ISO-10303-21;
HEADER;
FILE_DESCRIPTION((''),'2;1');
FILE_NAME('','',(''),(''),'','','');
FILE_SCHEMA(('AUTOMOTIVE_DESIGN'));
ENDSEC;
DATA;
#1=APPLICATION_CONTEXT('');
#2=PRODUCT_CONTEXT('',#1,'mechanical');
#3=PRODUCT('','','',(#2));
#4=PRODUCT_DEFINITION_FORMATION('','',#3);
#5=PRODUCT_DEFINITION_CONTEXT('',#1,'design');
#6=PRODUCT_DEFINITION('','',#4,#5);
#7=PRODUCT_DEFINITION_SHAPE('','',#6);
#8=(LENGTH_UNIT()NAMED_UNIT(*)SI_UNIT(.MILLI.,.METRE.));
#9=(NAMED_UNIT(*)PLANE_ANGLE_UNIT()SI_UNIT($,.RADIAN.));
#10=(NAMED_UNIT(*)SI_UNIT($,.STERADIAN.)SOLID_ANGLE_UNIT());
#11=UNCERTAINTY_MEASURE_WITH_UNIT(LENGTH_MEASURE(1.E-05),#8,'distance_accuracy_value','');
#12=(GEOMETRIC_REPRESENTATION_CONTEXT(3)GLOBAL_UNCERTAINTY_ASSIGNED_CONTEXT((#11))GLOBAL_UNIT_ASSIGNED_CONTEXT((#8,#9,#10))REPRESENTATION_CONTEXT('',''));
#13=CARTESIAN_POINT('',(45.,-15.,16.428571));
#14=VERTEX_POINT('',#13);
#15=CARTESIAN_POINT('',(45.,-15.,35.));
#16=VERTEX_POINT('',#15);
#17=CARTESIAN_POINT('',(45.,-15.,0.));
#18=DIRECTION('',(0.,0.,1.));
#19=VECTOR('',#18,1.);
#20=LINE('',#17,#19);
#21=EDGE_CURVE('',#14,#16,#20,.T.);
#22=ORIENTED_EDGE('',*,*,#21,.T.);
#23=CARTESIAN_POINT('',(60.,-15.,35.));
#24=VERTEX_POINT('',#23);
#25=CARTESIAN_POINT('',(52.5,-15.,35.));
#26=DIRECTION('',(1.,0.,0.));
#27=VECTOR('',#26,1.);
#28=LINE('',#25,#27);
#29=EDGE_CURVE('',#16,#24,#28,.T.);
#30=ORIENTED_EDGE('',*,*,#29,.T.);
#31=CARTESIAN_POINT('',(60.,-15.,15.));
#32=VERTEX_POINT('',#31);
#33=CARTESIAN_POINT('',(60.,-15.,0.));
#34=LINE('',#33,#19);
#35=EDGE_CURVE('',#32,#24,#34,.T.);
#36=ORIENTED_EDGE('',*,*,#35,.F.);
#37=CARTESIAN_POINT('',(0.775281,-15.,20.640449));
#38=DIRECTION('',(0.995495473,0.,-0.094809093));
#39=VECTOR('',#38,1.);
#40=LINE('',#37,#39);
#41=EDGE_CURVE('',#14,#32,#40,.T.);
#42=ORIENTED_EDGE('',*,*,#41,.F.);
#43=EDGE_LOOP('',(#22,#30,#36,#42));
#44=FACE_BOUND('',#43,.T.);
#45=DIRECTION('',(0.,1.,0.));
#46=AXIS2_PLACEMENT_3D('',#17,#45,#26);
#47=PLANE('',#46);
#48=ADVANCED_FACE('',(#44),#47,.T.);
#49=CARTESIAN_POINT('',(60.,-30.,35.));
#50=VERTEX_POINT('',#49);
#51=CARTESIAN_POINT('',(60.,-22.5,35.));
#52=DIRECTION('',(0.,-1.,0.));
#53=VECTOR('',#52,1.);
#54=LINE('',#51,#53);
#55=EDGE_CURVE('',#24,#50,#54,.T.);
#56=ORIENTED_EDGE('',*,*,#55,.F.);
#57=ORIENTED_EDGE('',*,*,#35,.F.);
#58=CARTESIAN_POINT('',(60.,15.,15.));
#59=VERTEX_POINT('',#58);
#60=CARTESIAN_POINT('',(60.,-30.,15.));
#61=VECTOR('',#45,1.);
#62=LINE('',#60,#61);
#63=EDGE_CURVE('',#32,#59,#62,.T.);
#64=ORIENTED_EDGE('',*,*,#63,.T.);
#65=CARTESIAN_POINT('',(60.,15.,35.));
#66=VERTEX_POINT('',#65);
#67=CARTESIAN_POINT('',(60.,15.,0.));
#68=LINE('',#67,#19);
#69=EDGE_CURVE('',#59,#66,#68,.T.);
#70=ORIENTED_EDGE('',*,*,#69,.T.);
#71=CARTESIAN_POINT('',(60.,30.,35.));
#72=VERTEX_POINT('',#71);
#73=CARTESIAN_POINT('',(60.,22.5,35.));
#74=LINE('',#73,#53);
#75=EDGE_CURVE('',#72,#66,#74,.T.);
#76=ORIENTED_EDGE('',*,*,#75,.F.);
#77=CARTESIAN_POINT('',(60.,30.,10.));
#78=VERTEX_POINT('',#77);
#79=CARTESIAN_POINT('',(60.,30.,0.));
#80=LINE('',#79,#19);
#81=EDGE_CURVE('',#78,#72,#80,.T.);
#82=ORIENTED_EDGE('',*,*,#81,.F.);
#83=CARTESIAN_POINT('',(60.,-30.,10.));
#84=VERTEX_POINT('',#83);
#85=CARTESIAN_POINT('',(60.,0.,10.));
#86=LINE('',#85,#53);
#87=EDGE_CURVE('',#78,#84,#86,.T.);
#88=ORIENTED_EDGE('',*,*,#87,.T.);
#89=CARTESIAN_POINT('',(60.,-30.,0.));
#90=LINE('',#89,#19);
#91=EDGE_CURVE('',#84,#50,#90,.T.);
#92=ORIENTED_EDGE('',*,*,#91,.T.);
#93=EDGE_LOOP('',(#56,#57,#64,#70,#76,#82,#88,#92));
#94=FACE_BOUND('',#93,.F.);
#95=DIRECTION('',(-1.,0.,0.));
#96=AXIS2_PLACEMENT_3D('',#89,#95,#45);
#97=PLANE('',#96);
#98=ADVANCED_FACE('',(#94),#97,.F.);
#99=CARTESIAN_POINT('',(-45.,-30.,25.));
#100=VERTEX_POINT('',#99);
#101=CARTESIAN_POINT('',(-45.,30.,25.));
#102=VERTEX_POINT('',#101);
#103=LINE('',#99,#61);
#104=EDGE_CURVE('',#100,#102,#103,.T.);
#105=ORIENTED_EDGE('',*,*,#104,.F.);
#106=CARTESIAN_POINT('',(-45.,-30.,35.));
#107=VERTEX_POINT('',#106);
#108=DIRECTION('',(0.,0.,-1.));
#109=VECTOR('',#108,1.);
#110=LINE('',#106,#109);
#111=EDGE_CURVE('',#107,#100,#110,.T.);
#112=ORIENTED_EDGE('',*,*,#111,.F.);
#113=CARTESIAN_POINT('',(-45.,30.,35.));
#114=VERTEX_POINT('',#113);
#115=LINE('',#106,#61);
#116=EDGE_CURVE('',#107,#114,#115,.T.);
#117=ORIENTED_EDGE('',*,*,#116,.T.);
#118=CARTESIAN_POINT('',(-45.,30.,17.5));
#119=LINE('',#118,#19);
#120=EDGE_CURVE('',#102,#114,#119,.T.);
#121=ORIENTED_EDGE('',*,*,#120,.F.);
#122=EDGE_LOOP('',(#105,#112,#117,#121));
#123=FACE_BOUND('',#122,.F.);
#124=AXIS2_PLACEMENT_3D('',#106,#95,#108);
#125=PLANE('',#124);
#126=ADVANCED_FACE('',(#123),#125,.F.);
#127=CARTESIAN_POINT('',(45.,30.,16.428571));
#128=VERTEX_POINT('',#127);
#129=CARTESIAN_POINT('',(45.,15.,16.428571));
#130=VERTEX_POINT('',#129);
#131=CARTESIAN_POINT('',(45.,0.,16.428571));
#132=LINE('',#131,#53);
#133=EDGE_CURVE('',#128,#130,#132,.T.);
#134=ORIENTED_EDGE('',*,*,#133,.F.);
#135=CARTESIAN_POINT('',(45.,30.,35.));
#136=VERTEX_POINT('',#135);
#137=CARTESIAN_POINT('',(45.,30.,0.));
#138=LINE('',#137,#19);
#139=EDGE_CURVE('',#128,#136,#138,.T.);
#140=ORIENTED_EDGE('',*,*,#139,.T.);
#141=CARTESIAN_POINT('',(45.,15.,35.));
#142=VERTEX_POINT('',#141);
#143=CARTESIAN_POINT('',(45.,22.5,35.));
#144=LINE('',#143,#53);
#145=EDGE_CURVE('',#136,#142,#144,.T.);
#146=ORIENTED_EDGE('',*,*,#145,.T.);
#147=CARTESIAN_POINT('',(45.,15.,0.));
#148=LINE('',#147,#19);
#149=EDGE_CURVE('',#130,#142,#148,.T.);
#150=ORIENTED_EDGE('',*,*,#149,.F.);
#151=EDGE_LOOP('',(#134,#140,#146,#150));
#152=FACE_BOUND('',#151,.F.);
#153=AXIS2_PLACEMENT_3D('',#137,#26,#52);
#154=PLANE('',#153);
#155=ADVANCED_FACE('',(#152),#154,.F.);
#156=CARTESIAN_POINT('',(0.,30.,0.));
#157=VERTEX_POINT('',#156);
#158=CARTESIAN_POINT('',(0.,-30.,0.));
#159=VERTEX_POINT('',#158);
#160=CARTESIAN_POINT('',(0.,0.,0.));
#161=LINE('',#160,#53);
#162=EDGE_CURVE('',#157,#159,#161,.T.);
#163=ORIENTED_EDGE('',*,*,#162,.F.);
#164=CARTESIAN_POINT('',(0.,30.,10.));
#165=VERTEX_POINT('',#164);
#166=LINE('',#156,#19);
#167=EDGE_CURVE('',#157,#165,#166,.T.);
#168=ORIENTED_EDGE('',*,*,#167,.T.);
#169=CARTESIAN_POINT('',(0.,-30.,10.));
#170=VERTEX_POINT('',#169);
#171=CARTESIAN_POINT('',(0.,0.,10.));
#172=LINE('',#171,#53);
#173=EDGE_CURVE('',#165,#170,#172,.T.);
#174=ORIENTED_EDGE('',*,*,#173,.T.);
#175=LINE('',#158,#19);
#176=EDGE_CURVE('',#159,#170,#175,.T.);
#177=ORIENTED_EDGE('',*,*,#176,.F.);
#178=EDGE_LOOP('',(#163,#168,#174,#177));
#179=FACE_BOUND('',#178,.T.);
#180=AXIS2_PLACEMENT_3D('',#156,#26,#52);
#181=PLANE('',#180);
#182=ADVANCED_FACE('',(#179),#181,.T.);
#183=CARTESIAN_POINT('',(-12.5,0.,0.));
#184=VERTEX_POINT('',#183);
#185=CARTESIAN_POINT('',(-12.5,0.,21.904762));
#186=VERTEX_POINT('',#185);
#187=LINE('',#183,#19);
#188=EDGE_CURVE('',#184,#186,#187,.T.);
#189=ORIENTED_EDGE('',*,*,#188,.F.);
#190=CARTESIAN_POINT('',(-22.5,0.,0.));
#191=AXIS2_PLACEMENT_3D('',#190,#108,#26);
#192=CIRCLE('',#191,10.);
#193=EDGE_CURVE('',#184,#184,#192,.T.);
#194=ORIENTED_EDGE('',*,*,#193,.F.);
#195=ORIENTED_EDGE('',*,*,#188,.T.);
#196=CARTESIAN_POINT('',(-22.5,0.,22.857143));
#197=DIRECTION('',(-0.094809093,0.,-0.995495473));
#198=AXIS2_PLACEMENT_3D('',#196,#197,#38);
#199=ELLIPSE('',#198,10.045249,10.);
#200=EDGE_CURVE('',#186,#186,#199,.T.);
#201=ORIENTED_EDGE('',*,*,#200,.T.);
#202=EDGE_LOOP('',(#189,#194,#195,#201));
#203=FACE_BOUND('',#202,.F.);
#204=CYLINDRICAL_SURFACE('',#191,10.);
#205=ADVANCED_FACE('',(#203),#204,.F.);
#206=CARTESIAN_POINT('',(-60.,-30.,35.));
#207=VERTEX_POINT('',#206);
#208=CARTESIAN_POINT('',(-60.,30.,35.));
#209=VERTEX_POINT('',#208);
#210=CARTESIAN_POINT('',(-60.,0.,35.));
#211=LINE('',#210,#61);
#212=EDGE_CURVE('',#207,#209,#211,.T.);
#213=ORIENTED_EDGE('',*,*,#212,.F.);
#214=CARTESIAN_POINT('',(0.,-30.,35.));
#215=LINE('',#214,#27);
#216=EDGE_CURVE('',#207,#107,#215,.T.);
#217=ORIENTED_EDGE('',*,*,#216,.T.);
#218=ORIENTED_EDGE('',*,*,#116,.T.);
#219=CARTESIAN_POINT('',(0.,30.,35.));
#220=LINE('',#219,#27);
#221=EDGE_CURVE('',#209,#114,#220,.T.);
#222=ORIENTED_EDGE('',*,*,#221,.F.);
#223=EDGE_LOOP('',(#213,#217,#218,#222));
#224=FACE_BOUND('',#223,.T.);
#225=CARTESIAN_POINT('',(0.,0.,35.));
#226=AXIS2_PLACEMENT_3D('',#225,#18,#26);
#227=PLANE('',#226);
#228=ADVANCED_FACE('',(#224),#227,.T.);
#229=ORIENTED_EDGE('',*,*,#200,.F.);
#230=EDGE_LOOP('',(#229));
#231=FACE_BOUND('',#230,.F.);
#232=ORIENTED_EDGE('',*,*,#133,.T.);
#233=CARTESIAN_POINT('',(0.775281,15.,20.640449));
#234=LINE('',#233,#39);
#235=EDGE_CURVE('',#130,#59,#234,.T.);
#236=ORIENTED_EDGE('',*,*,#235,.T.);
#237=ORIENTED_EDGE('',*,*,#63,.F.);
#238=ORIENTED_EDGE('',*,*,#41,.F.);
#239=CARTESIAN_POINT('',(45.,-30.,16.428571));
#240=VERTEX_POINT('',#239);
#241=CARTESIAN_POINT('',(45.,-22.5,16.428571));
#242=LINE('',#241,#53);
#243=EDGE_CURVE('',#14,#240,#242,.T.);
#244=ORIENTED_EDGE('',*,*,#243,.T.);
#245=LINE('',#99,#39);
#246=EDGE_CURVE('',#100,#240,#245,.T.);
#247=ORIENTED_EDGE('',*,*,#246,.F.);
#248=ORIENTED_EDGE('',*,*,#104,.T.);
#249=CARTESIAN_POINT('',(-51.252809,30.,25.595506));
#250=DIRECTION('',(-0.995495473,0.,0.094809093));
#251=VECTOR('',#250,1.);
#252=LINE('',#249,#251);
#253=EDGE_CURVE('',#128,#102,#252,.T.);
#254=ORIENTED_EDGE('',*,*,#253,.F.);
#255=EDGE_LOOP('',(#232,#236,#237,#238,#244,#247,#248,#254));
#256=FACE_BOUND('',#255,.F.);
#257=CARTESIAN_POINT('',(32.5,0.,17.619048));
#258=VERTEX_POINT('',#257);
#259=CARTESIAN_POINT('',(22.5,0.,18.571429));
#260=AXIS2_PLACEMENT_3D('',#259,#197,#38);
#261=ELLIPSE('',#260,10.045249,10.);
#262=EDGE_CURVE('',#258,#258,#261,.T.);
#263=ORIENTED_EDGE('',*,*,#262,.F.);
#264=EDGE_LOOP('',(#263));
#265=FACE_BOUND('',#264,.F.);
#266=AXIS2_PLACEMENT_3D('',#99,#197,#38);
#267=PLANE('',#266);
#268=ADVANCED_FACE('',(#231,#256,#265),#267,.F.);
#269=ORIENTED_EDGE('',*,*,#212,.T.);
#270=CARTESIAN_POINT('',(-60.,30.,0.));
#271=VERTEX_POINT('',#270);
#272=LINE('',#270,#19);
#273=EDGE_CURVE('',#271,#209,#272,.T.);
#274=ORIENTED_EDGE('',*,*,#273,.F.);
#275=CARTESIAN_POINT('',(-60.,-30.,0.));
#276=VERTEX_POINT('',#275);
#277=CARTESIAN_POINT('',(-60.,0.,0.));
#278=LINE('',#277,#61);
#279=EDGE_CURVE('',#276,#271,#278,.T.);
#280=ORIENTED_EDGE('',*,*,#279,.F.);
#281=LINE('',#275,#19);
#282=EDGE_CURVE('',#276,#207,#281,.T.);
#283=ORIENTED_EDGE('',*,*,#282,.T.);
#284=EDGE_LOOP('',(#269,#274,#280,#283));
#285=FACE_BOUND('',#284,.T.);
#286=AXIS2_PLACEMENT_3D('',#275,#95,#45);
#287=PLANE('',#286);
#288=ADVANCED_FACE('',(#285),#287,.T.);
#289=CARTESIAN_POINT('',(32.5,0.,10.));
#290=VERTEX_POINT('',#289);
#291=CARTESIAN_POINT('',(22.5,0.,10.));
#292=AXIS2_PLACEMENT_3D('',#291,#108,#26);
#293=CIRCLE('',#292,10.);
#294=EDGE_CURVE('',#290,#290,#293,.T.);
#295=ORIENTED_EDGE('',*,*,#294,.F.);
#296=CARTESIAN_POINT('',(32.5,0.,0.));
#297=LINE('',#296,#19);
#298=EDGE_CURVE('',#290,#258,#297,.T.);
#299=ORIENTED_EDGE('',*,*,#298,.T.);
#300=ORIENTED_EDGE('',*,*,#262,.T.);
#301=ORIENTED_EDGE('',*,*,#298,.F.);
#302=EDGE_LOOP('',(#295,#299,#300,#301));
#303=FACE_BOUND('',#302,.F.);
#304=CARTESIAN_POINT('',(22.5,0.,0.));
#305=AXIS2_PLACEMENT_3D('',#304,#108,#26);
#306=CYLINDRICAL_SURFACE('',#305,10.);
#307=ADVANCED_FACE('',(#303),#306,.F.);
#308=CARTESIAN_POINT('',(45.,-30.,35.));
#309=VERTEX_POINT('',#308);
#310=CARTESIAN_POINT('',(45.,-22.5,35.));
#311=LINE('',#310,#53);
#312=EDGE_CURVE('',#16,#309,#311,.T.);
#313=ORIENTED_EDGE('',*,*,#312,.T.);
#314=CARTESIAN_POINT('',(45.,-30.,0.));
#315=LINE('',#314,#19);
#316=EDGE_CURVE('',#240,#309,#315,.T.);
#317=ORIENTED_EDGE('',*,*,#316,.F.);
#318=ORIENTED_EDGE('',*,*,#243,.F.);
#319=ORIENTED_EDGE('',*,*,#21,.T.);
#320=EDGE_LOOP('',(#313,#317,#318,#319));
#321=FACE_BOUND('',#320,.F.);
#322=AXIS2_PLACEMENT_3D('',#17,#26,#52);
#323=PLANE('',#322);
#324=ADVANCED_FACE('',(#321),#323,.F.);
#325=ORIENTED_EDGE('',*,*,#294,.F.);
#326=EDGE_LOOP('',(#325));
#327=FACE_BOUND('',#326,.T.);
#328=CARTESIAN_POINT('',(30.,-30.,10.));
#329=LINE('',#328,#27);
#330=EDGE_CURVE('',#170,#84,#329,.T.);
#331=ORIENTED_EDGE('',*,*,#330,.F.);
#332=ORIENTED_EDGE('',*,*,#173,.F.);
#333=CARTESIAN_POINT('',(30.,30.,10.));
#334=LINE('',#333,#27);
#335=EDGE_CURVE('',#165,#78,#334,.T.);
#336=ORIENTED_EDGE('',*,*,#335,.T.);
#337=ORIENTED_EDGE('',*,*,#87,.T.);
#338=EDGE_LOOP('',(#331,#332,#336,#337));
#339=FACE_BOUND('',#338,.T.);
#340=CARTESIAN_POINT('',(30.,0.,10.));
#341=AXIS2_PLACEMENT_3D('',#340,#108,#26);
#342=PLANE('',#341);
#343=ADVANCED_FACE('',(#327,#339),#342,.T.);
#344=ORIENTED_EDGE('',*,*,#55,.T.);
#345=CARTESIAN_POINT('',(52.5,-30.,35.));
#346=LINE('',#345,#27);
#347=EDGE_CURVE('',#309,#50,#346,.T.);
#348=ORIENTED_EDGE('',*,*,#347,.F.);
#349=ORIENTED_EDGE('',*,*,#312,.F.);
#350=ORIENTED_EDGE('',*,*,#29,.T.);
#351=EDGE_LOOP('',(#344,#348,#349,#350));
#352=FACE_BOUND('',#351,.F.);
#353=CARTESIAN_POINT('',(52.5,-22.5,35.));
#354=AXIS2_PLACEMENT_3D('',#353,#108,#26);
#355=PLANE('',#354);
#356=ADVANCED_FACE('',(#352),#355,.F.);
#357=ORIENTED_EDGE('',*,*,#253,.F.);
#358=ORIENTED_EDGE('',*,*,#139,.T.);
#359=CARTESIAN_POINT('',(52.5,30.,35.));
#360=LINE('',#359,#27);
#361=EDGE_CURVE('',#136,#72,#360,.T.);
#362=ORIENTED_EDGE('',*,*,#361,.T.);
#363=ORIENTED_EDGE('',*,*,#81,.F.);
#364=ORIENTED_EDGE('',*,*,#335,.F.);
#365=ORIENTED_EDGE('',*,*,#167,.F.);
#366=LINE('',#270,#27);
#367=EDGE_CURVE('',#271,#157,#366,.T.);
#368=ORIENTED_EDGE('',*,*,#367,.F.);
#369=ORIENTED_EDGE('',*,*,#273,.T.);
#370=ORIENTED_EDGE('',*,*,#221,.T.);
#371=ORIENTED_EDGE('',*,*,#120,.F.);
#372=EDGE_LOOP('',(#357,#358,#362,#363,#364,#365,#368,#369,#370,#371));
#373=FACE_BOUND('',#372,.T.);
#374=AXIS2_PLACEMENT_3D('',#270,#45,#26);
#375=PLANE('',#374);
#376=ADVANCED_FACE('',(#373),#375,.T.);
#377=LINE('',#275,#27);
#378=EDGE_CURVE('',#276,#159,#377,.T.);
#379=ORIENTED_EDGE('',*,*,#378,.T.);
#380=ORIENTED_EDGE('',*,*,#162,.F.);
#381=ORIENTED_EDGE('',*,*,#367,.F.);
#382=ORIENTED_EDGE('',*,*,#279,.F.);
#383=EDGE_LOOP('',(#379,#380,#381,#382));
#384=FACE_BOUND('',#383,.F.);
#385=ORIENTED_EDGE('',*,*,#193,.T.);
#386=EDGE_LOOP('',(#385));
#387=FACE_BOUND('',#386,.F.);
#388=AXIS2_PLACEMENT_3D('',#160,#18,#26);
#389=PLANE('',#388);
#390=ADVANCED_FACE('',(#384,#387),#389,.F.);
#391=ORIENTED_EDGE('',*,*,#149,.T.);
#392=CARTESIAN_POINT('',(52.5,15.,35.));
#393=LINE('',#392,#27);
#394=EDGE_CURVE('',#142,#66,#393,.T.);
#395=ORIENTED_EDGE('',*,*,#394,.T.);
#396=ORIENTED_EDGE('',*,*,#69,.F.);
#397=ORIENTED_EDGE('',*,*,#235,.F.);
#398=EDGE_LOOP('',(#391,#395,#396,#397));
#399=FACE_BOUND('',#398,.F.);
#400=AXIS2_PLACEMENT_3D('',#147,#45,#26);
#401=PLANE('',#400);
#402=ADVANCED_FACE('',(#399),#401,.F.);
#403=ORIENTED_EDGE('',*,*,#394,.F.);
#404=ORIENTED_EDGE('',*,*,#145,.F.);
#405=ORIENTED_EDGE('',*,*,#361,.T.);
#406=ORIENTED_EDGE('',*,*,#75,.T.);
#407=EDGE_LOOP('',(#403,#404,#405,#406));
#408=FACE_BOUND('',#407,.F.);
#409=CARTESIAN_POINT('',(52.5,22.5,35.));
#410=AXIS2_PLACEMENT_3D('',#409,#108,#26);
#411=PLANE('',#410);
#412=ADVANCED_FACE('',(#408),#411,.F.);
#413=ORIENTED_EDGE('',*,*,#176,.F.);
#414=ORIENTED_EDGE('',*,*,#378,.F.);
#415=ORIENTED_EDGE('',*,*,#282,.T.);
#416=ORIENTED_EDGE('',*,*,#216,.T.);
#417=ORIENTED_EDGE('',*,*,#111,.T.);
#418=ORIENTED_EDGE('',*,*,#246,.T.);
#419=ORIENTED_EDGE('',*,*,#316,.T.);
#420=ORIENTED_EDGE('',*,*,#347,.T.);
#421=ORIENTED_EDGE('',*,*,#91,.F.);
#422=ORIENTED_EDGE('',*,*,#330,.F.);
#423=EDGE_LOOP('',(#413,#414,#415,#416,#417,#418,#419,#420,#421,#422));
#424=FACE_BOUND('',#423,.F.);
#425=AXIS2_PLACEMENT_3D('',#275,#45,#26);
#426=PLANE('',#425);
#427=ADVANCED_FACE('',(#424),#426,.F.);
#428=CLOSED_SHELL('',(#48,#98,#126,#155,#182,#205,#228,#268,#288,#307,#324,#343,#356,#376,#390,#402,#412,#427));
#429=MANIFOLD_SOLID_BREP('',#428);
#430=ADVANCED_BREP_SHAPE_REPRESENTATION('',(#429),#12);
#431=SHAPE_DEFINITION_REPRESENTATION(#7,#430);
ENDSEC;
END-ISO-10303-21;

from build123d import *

# Parameters (mm, degrees)
SKETCH_W        = 120
SKETCH_H        = 60
PAD_DEPTH       = 35
POCKET_DEPTH    = 60.001
SKETCH002_W     = 15
SKETCH002_H     = 15
PAD001_DEPTH    = 35
SKETCH003_R     = 10
POCKET001_DEPTH = 35.001
SKETCH004_W     = 60
SKETCH004_H     = 60
POCKET002_DEPTH = 10


with BuildPart() as part:
    # Sketch → Pad (new body)
    with BuildSketch(Plane.XY):
        Rectangle(SKETCH_W, SKETCH_H)
    extrude(amount=PAD_DEPTH)

    # Sketch001 → Pocket (cut, through all)
    with BuildSketch(Plane.XZ.offset(30)):
        Polygon((-45, 35), (-45, 25), (60, 15), (60, 35), align=None)
    extrude(amount=-POCKET_DEPTH, mode=Mode.SUBTRACT)

    # Sketch002 → Pad001 (new body)
    with BuildSketch(Plane(origin=(0, 0, 0), x_dir=(1, 0, 0), z_dir=(0, 0, -1))):
        with Locations((52.5, 22.5)):
            Rectangle(SKETCH002_W, SKETCH002_H)
        with Locations((52.5, -22.5)):
            Rectangle(SKETCH002_W, SKETCH002_H)
    extrude(amount=-PAD001_DEPTH)

    # Sketch003 → Pocket001 (cut, through all)
    with BuildSketch(Plane(origin=(0, 0, 0), x_dir=(1, 0, 0), z_dir=(0, 0, -1))):
        with Locations((-22.5, 0)):
            Circle(SKETCH003_R)
        with Locations((22.5, 0)):
            Circle(SKETCH003_R)
    extrude(amount=-POCKET001_DEPTH, mode=Mode.SUBTRACT)

    # Sketch004 → Pocket002 (cut)
    with BuildSketch(Plane(origin=(0, 0, 0), x_dir=(1, 0, 0), z_dir=(0, 0, -1))):
        with Locations((30, 0)):
            Rectangle(SKETCH004_W, SKETCH004_H)
    extrude(amount=-POCKET002_DEPTH, mode=Mode.SUBTRACT)


solid = part.part
